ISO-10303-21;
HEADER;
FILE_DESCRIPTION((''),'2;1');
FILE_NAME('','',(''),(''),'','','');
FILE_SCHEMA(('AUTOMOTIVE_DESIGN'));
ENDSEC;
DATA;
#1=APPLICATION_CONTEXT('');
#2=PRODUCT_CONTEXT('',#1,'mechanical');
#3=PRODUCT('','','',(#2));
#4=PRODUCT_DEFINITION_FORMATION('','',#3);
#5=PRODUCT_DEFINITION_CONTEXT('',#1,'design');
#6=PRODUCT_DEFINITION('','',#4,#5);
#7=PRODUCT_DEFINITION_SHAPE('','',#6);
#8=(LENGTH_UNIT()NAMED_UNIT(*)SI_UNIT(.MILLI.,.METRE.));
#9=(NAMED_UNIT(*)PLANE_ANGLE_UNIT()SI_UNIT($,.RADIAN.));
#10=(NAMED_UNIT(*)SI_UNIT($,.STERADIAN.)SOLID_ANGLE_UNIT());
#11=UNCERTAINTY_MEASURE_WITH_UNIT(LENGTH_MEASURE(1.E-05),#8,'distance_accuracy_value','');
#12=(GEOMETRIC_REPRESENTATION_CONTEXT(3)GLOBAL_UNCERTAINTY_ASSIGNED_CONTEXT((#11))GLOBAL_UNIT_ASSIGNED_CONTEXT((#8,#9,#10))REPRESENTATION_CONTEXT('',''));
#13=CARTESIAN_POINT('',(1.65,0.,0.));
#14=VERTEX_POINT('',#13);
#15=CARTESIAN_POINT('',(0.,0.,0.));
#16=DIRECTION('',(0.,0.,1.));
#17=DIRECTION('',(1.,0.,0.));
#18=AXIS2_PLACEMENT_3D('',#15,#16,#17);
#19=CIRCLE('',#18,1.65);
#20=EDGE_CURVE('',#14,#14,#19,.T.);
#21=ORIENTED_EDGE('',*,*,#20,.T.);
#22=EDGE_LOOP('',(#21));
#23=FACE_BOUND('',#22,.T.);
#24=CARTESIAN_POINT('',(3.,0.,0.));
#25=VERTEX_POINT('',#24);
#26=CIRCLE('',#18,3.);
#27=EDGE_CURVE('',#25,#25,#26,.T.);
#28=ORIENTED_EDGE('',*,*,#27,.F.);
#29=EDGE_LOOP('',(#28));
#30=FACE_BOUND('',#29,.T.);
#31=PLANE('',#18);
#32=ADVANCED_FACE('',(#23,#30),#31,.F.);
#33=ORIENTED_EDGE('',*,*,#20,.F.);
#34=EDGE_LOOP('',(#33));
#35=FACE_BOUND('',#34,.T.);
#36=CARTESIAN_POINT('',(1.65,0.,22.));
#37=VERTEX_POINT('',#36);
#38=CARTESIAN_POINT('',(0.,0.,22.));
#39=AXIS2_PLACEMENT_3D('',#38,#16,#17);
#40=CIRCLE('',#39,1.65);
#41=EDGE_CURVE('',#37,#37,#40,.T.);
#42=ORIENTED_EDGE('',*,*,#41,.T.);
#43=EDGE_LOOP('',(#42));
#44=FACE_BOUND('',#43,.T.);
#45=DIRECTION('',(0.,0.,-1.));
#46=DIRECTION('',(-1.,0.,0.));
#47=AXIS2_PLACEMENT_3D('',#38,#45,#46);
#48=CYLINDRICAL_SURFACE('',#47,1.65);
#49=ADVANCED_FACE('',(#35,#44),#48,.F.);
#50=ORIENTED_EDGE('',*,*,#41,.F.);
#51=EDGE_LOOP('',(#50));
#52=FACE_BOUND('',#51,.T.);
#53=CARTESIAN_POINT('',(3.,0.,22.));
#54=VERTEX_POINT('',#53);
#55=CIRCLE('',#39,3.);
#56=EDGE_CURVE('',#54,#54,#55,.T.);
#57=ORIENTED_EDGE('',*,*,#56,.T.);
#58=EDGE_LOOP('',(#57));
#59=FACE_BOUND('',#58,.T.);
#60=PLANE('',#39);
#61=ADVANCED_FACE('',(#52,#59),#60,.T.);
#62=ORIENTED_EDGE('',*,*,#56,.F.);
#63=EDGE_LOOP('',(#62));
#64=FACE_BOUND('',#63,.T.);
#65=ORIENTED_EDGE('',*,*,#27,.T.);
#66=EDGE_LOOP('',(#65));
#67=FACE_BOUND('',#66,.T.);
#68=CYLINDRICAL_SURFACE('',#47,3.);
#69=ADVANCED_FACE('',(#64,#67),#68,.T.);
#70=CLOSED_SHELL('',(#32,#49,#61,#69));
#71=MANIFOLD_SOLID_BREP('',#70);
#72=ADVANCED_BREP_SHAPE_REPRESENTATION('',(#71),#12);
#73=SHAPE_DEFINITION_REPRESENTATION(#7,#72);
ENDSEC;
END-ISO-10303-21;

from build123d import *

# Parameters (mm, degrees)
SKIZZE1_R                       = 3
SKIZZE1_R_2                     = 1.65
AUFSATZ_LINEAR_AUSTRAGEN1_DEPTH = 22


with BuildPart() as part:
    # Skizze1 → Aufsatz-Linear austragen1 (new body)
    with BuildSketch(Plane.XY):
        Circle(SKIZZE1_R)
        Circle(SKIZZE1_R_2, mode=Mode.SUBTRACT)
    extrude(amount=AUFSATZ_LINEAR_AUSTRAGEN1_DEPTH)


solid = part.part
